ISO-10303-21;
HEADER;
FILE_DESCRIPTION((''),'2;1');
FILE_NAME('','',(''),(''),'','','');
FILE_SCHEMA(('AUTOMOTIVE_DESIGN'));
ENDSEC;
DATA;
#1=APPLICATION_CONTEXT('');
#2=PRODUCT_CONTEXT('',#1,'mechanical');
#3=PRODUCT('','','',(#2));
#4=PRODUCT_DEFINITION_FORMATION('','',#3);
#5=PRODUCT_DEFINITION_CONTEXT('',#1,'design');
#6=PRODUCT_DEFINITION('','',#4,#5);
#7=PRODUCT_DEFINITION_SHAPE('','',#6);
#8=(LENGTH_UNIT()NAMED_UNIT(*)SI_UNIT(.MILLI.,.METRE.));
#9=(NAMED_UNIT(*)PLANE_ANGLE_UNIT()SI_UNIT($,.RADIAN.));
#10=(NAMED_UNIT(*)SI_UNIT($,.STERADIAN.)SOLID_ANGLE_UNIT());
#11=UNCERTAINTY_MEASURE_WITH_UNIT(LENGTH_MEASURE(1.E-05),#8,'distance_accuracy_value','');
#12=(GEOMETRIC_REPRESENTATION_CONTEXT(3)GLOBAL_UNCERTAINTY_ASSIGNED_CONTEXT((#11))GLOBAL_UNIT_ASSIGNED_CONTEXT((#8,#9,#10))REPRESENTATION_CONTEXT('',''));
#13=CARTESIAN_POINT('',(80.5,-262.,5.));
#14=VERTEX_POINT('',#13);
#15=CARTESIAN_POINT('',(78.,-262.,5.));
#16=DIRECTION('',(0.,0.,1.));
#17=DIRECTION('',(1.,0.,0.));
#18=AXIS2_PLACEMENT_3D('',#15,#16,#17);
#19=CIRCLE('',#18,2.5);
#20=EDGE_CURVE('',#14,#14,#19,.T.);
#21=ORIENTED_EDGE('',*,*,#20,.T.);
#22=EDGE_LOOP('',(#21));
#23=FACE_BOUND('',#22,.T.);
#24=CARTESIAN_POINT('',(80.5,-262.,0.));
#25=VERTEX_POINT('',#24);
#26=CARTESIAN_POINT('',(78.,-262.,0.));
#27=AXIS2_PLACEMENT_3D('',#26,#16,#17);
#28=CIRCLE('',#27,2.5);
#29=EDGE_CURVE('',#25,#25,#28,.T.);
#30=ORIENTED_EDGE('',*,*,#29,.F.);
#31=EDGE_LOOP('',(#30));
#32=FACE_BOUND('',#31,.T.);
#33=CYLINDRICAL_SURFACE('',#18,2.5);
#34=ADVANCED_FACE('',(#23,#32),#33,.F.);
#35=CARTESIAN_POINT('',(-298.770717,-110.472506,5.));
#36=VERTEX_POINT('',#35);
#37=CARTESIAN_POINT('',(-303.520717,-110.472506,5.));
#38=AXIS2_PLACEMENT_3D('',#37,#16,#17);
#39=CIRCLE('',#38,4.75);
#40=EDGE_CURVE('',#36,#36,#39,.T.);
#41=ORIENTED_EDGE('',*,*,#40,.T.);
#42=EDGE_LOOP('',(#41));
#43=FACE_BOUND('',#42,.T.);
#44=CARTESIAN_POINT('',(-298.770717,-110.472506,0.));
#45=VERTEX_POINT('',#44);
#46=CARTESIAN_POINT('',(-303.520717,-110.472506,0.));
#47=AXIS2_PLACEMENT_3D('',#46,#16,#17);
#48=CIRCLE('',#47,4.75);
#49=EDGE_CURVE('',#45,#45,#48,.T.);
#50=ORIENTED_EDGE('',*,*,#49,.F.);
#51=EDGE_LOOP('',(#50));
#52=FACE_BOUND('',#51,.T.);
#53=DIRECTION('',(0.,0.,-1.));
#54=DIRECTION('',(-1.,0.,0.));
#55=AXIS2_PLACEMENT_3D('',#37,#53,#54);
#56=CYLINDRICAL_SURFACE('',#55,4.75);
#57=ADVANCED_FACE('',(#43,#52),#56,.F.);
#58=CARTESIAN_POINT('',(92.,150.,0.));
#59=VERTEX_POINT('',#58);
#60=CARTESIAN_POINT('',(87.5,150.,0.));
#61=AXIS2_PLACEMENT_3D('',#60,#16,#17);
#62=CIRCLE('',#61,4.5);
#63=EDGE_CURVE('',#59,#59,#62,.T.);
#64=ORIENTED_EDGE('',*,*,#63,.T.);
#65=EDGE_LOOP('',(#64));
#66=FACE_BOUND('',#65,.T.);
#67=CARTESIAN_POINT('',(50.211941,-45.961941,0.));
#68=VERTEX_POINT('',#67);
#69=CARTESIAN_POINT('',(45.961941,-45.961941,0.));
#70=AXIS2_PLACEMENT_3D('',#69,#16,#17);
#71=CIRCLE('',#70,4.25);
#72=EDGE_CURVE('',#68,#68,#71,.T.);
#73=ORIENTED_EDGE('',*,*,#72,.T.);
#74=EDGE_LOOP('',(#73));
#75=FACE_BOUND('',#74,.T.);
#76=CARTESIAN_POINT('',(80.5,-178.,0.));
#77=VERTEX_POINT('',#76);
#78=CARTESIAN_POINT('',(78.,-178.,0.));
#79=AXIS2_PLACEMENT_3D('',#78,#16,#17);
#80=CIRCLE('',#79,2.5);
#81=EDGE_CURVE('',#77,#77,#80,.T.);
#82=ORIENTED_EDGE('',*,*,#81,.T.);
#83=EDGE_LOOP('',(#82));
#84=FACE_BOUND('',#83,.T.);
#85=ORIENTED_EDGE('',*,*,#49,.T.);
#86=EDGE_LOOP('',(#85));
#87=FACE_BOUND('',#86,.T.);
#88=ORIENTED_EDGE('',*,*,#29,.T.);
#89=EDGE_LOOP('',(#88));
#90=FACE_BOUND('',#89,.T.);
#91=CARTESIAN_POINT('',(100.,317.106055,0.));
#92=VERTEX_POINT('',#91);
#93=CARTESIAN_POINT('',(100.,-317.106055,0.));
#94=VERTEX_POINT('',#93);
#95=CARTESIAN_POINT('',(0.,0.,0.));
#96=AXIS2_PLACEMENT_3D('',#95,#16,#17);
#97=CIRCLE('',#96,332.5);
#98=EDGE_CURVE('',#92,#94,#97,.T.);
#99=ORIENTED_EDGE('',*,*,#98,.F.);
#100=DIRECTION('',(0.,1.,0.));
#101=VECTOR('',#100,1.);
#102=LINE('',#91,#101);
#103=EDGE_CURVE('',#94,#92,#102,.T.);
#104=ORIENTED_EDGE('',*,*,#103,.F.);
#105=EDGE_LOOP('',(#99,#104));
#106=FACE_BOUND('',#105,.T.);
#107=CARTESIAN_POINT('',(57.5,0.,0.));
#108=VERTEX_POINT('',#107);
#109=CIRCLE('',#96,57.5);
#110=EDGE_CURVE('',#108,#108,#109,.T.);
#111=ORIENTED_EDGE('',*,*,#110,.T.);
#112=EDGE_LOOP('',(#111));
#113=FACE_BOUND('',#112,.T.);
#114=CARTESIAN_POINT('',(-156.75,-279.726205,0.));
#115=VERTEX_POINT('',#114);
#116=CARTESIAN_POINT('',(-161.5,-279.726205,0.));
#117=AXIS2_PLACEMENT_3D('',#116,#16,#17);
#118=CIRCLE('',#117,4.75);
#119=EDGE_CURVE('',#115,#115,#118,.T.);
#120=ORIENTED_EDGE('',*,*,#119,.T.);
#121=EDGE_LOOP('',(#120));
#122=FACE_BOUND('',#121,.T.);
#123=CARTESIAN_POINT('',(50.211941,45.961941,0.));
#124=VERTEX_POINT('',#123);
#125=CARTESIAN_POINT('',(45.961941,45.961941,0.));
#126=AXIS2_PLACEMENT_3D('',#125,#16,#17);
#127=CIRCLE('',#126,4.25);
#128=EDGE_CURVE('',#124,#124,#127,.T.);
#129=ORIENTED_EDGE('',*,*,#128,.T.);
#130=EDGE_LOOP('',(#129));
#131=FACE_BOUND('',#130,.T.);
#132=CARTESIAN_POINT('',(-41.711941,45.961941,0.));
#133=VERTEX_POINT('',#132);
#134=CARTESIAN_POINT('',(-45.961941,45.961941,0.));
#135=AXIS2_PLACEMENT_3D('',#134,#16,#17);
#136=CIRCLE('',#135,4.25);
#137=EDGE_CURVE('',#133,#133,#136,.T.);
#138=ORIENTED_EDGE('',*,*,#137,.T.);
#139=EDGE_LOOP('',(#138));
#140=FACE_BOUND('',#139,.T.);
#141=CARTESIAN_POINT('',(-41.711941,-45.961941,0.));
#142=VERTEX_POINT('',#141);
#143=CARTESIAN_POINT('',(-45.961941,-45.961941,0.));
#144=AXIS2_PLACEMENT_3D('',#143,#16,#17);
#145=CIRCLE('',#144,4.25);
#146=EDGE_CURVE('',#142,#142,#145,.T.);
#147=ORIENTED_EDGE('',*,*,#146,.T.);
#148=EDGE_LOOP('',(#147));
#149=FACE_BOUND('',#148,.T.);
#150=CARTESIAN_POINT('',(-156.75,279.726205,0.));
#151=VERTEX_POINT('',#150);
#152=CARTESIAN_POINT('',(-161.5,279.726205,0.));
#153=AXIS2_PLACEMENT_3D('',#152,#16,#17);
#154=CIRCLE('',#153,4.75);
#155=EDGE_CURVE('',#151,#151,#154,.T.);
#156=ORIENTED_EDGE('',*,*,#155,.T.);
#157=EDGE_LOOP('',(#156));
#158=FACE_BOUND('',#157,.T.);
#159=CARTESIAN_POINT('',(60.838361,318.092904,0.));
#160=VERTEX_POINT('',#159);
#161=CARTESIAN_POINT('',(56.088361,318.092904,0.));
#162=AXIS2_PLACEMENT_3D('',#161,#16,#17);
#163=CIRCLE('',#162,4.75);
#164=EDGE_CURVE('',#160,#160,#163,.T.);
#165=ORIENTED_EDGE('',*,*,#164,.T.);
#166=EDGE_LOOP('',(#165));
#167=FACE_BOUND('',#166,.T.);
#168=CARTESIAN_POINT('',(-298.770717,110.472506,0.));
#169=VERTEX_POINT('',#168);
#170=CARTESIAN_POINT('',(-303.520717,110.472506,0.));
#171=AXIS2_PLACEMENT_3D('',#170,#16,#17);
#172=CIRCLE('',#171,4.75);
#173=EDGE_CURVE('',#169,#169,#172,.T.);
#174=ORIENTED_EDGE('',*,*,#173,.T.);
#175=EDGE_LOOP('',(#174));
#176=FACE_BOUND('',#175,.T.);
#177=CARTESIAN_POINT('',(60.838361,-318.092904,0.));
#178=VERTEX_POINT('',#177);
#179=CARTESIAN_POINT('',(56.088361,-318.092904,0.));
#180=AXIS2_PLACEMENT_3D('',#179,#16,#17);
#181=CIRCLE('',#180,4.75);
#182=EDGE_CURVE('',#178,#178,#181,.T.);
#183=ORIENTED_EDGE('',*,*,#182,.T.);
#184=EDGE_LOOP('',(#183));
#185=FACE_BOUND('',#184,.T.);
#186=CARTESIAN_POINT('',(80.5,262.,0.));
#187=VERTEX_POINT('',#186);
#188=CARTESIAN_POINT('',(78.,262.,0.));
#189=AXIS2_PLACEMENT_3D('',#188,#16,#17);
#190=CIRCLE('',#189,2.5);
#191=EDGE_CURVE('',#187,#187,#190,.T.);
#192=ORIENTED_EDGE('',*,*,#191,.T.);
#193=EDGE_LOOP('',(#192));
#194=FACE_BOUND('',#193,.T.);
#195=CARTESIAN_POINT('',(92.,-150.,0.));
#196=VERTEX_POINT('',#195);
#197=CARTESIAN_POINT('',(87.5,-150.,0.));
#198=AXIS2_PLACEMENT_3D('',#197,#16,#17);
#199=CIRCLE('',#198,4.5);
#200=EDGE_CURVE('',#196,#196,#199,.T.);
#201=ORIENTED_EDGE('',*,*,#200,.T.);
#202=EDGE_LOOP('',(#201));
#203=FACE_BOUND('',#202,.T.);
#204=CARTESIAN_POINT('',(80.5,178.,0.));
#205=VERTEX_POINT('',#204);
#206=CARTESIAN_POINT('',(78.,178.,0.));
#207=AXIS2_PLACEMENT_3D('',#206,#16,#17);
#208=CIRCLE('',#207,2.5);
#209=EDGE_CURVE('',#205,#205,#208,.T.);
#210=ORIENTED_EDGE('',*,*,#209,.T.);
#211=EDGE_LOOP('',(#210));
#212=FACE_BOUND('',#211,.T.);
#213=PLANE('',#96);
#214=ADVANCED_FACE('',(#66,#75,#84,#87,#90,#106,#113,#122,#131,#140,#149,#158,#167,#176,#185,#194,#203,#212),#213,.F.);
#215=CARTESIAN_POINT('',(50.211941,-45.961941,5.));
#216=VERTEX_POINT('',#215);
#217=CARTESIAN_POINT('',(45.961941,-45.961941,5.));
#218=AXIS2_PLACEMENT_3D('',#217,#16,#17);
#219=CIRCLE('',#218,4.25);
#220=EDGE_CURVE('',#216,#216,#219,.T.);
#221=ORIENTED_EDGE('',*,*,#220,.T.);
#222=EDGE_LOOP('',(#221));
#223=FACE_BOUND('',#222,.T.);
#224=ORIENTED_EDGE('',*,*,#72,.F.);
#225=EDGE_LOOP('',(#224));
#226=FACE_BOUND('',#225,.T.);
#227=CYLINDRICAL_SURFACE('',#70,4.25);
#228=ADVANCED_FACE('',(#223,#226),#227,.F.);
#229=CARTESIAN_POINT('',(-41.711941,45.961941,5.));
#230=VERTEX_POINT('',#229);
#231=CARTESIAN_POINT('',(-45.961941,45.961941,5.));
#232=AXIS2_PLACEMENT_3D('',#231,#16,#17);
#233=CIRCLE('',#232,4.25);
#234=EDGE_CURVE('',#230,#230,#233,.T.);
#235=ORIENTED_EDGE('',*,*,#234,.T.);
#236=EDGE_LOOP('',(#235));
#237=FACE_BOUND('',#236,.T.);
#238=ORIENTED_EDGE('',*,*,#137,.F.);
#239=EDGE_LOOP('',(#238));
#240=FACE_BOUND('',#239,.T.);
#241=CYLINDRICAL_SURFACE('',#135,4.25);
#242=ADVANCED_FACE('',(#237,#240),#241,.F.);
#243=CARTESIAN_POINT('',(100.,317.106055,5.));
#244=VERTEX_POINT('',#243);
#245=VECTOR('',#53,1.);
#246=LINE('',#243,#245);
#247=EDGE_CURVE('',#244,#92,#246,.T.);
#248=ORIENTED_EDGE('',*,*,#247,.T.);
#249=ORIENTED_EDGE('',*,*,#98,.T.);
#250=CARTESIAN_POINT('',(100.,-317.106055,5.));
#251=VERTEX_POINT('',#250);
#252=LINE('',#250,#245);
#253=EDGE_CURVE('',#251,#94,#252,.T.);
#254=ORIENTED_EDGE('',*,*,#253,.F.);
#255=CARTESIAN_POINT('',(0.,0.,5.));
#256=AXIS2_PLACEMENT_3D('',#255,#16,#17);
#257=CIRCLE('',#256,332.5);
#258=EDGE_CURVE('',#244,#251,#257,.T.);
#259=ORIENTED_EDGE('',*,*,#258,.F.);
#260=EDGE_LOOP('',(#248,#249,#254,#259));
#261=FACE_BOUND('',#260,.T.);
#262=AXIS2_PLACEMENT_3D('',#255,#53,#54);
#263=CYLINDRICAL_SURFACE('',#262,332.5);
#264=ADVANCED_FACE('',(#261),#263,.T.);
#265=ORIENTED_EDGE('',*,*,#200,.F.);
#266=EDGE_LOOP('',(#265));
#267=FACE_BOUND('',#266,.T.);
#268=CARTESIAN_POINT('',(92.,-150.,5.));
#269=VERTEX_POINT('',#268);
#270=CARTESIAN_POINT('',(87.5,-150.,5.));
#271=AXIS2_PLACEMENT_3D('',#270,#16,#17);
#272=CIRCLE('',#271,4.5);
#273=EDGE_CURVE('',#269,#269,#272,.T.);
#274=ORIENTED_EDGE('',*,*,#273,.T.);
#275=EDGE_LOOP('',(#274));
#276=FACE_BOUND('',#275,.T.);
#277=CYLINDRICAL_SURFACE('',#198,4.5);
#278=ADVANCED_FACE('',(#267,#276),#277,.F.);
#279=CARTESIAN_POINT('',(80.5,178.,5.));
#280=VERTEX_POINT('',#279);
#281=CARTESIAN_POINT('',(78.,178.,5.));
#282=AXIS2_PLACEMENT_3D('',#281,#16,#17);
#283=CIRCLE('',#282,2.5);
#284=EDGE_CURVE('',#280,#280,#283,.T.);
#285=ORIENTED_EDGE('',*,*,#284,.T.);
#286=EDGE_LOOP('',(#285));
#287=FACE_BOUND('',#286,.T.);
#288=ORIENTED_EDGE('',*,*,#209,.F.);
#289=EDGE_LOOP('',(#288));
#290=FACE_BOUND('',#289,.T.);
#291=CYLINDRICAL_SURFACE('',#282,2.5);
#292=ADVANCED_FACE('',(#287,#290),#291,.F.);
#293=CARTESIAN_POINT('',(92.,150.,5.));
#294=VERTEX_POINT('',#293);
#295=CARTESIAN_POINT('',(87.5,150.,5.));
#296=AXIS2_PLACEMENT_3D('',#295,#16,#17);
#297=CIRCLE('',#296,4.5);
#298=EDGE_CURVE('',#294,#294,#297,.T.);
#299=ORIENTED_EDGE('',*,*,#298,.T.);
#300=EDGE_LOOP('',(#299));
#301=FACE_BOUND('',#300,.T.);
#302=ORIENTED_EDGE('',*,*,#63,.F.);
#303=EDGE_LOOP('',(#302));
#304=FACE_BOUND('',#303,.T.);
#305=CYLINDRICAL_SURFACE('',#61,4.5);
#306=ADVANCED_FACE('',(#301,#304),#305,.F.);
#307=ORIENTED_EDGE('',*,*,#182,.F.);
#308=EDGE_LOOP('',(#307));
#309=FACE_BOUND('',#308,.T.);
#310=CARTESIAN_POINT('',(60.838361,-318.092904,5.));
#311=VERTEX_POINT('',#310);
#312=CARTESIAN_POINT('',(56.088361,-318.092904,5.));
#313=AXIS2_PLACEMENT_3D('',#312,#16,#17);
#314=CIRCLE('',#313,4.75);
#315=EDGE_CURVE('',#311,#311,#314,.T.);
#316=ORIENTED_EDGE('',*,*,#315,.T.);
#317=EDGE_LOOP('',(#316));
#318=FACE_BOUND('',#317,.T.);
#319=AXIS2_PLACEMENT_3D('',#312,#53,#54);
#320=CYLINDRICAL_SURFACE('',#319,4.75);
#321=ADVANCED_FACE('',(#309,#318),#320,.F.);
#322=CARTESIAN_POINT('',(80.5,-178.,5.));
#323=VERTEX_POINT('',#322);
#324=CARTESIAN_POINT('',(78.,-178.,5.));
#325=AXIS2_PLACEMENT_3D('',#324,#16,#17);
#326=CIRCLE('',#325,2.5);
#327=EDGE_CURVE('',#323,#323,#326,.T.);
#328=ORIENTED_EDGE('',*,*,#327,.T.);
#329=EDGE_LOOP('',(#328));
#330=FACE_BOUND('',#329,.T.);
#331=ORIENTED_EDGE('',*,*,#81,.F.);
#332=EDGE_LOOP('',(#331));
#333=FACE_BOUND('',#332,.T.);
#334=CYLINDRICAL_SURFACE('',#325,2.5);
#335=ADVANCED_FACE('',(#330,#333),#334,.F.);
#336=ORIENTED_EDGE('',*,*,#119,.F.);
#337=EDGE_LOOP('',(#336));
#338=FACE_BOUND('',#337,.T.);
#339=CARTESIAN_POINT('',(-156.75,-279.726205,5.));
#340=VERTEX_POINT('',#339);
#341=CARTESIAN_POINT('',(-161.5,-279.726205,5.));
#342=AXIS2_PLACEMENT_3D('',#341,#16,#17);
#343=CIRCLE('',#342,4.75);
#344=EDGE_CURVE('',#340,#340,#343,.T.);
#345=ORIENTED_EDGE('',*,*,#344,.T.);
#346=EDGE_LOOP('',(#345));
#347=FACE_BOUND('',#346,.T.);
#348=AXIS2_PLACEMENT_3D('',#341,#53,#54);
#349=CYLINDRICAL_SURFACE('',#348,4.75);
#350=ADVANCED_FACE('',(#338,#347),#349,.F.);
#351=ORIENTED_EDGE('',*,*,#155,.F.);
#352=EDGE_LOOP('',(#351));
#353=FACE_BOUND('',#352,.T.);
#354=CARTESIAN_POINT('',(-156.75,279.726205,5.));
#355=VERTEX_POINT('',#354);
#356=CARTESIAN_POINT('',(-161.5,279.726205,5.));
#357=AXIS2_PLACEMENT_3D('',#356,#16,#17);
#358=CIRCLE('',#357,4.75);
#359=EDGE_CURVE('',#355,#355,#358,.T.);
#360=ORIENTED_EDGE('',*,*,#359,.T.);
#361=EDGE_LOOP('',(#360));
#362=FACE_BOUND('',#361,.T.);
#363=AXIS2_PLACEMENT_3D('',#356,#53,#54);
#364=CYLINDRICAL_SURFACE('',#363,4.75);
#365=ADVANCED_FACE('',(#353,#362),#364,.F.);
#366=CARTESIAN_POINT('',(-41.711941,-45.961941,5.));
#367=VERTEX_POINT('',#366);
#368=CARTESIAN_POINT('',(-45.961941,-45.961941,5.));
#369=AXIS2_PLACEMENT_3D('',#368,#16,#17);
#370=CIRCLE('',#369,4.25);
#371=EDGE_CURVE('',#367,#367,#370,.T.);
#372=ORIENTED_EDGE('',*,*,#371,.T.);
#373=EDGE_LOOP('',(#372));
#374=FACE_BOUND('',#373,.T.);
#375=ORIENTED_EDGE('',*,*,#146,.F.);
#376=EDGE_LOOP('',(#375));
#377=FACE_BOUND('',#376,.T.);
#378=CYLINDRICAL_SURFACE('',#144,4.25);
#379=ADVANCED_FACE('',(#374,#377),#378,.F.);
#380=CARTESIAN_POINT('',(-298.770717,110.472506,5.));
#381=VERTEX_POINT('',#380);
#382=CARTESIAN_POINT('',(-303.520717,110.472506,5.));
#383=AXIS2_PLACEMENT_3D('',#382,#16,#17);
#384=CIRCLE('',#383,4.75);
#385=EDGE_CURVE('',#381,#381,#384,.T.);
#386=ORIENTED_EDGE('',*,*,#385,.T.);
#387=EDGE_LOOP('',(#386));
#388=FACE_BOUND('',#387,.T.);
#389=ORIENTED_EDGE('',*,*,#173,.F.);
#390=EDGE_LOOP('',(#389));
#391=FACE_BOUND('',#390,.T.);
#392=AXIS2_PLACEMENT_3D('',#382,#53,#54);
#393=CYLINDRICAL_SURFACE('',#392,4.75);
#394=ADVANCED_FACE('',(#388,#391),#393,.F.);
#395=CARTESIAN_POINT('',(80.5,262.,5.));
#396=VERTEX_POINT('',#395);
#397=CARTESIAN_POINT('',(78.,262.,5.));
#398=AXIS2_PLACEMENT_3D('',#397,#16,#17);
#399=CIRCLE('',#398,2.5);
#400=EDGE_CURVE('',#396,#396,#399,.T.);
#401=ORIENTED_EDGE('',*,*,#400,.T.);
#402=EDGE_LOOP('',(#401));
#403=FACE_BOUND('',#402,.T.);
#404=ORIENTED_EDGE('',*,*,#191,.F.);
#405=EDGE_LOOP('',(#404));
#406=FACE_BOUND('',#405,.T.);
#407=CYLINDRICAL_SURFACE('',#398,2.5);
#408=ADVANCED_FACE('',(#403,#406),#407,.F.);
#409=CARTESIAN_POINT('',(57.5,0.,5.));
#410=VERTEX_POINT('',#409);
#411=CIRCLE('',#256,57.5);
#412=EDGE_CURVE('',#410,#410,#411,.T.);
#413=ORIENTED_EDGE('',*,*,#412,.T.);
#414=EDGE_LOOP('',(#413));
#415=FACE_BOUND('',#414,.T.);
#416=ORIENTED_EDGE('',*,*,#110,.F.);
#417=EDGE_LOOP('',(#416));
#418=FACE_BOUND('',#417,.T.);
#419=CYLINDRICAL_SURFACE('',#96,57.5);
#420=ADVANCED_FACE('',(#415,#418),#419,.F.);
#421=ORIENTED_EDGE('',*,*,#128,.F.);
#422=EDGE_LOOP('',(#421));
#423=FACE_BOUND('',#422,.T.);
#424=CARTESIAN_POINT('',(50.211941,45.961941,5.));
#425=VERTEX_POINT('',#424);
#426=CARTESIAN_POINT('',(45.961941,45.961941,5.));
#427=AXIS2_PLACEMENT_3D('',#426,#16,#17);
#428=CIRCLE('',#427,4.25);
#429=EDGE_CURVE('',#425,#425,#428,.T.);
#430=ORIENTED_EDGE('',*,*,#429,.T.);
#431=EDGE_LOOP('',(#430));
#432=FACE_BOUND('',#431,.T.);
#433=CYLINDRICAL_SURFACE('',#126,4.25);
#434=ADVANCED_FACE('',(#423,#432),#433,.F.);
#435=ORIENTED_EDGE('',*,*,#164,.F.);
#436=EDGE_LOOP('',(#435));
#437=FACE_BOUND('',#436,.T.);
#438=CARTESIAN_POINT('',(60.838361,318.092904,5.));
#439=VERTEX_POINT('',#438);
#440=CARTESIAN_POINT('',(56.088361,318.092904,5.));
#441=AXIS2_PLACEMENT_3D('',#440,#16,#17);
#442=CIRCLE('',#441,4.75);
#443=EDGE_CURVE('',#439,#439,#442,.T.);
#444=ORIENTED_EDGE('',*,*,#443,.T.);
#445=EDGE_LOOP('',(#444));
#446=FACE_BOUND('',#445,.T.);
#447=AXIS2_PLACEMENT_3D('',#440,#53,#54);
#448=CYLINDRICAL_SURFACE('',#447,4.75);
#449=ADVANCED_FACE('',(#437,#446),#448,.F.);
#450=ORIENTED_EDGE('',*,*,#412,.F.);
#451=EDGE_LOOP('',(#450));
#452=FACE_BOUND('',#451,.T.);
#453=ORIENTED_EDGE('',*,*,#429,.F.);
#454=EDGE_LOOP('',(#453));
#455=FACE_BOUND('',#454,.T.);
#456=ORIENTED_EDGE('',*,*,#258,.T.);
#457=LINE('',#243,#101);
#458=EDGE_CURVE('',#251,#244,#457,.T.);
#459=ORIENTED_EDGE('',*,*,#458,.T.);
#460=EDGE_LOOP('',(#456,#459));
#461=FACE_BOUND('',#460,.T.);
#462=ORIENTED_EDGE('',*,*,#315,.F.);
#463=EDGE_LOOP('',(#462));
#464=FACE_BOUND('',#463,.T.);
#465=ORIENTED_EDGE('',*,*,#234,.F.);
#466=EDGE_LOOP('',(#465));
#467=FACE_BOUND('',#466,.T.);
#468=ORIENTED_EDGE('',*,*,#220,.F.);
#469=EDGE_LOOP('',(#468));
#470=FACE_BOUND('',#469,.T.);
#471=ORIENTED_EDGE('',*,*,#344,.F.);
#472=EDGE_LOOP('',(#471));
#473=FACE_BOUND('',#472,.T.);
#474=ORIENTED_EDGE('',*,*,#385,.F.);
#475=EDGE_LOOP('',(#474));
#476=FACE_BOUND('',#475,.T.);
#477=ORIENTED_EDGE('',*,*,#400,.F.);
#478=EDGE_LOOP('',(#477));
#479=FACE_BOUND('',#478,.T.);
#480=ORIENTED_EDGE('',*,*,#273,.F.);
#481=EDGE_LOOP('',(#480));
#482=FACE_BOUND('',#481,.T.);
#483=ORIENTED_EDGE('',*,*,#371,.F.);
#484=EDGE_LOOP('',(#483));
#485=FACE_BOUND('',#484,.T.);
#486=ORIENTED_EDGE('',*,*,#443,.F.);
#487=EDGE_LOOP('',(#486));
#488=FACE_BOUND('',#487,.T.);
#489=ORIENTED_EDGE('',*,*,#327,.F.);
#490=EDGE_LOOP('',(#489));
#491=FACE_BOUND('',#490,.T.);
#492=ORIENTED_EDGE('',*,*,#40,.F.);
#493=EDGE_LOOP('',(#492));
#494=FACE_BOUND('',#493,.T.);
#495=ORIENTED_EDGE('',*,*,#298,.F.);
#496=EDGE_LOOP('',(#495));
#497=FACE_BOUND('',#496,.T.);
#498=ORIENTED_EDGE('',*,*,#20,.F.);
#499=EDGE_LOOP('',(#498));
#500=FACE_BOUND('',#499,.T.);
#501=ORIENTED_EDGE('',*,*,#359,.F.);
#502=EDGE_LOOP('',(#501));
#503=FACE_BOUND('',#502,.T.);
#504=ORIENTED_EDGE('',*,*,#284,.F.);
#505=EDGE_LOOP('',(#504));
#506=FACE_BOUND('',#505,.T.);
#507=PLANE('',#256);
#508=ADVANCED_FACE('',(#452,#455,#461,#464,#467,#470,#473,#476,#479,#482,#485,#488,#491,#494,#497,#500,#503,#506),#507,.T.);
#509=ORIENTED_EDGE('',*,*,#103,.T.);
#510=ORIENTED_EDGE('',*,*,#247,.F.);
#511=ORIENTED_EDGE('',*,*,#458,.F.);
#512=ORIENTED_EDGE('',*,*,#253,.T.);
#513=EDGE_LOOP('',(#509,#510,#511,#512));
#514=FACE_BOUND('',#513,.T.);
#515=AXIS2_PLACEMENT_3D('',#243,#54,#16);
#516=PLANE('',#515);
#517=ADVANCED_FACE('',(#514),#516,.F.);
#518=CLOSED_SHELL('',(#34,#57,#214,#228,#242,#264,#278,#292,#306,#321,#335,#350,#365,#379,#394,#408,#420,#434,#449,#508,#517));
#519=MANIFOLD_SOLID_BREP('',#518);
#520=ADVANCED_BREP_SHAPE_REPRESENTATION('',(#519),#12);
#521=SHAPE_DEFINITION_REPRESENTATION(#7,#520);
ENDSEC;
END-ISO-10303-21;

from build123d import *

# Parameters (mm, degrees)
SKIZZE1_R                       = 4.75
LINEAR_AUSTRAGEN1_DEPTH         = 5
SKIZZE10_R                      = 57.5
SCHNITT_LINEAR_AUSTRAGEN3_DEPTH = 471.252591699
SKIZZE15_R                      = 4.25
SCHNITT_LINEAR_AUSTRAGEN5_DEPTH = 471.252591699
M6_GEWINDEBOHRUNG1_D            = 5
SKIZZE17_R                      = 4.5
SCHNITT_LINEAR_AUSTRAGEN7_DEPTH = 471.252591699


with BuildPart() as part:
    # Skizze1 → Linear austragen1 (new body)
    with BuildSketch(Plane.XY):
        with BuildLine():
            Line((100, 317.106054814), (100, -317.106054814))
            ThreePointArc((100, -317.106054814), (-332.5, 0), (100, 317.106054814))
        make_face()
        with Locations((56.088361386, 318.092904223)):
            Circle(SKIZZE1_R, mode=Mode.SUBTRACT)
        with Locations((56.088361386, -318.092904223)):
            Circle(SKIZZE1_R, mode=Mode.SUBTRACT)
        with Locations((-161.5, -279.726205422)):
            Circle(SKIZZE1_R, mode=Mode.SUBTRACT)
        with Locations((-303.520716514, -110.472506294)):
            Circle(SKIZZE1_R, mode=Mode.SUBTRACT)
        with Locations((-303.520716514, 110.472506294)):
            Circle(SKIZZE1_R, mode=Mode.SUBTRACT)
        with Locations((-161.5, 279.726205422)):
            Circle(SKIZZE1_R, mode=Mode.SUBTRACT)
    extrude(amount=LINEAR_AUSTRAGEN1_DEPTH)

    # Skizze10 → Schnitt-Linear austragen3 (cut, through all)
    with BuildSketch(Plane.XY.offset(5)):
        Circle(SKIZZE10_R)
    extrude(amount=-SCHNITT_LINEAR_AUSTRAGEN3_DEPTH, mode=Mode.SUBTRACT)

    # Skizze15 → Schnitt-Linear austragen5 (cut, through all)
    with BuildSketch(Plane.XY.offset(5)):
        with Locations((-45.961940777, 45.961940777)):
            Circle(SKIZZE15_R)
        with Locations((45.961940777, 45.961940777)):
            Circle(SKIZZE15_R)
        with Locations((45.961940777, -45.961940777)):
            Circle(SKIZZE15_R)
        with Locations((-45.961940777, -45.961940777)):
            Circle(SKIZZE15_R)
    extrude(amount=-SCHNITT_LINEAR_AUSTRAGEN5_DEPTH, mode=Mode.SUBTRACT)

    # M6 Gewindebohrung1 (through all)
    with Locations(Plane.XY.offset(5)):
        with Locations((78, -262), (78, -178), (78, 178), (78, 262)):
            Hole(M6_GEWINDEBOHRUNG1_D / 2)

    # Skizze17 → Schnitt-Linear austragen7 (cut, through all)
    with BuildSketch(Plane.XY.offset(5)):
        with Locations((87.5, -150)):
            Circle(SKIZZE17_R)
        with Locations((87.5, 150)):
            Circle(SKIZZE17_R)
    extrude(amount=-SCHNITT_LINEAR_AUSTRAGEN7_DEPTH, mode=Mode.SUBTRACT)


solid = part.part
